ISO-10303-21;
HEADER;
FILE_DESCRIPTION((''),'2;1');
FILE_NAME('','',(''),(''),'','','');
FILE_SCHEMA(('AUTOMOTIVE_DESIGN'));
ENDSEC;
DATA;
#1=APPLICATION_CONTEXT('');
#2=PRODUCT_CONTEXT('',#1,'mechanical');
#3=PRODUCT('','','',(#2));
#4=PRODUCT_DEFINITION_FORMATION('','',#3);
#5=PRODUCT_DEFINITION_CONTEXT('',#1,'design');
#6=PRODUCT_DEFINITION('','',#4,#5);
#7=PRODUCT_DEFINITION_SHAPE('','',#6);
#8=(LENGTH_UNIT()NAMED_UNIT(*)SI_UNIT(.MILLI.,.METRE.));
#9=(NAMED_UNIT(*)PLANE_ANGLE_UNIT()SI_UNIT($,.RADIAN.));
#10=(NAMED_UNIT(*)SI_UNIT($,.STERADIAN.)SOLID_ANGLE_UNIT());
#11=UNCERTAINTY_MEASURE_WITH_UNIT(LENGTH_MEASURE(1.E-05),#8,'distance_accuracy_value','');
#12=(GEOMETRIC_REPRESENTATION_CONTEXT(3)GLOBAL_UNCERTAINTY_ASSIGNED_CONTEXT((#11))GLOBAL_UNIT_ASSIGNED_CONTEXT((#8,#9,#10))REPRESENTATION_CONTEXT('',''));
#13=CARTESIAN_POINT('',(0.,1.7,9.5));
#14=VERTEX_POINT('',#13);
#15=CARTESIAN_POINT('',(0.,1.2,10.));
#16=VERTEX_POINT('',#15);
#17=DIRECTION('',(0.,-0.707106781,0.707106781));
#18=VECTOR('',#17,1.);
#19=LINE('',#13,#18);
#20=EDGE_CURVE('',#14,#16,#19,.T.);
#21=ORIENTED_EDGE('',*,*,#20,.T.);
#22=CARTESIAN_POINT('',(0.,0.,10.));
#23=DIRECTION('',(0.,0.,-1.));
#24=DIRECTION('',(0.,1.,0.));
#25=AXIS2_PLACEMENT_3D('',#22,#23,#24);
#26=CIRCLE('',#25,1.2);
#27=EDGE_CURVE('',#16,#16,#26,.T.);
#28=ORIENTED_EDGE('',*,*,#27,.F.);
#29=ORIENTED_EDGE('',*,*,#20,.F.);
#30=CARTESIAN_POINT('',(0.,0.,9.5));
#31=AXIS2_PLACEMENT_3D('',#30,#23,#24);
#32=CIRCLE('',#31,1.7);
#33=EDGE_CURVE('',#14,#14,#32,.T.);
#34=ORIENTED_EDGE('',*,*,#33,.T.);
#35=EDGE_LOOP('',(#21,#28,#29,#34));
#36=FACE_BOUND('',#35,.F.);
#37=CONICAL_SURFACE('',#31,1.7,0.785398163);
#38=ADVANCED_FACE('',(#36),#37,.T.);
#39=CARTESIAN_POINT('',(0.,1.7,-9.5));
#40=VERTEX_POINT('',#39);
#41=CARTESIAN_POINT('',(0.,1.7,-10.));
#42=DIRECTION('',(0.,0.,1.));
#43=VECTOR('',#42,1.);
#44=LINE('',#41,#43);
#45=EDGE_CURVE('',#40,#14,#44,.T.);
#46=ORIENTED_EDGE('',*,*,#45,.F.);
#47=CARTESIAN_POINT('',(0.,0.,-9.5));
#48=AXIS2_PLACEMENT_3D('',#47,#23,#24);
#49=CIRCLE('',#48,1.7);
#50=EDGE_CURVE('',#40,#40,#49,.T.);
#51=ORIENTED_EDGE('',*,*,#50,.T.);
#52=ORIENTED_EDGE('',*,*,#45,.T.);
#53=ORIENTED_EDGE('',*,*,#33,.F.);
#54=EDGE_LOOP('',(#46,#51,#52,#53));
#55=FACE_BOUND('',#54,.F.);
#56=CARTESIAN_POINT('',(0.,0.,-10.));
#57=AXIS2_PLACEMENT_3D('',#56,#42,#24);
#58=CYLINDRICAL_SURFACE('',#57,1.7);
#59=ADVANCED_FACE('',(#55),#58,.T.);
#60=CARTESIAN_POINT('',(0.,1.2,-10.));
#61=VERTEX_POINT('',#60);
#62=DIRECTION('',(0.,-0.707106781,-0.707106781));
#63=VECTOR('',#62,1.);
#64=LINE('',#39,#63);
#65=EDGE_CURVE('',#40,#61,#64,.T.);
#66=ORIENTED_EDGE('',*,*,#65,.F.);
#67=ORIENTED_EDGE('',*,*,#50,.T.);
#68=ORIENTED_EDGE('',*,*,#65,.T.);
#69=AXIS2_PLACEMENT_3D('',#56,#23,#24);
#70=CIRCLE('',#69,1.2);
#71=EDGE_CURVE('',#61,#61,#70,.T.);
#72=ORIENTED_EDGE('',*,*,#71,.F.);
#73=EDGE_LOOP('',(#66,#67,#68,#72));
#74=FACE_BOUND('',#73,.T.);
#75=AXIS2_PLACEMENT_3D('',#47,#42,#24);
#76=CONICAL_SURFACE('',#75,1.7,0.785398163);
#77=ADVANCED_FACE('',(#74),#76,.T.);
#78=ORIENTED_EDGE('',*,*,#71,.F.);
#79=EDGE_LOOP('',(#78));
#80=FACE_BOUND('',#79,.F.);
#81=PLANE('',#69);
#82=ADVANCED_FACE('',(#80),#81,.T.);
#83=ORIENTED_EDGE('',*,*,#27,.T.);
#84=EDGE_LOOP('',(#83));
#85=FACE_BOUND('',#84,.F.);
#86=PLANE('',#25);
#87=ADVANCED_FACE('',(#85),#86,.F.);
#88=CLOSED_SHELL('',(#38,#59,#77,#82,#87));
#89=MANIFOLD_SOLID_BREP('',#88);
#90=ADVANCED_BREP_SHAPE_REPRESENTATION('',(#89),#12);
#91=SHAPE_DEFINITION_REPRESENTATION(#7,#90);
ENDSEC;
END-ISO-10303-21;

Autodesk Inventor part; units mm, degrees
ref_plane "YZ Plane" through (0, 0, 0) normal (1, 0, 0) x (0, 1, 0)
ref_plane "XZ Plane" through (0, 0, 0) normal (0, 1, 0) x (-1, 0, 0)
ref_plane "XY Plane" through (0, 0, 0) normal (0, 0, 1) x (1, 0, 0)
sketch "Sketch1" plane through (0, 0, 0) normal (1, 0, 0) x (0, 1, 0)
  line L0 (1.7, 10) -> (0, 10)
  line L1 (0, 10) -> (0, -10)
  line L2 (0, -10) -> (1.7, -10)
  line L3 (1.7, -10) -> (1.7, 10)
  point P0 (0, 0)
  point P1 (0, 0)
  dimension "d0" = 20
  dimension "d1" = 3.4
revolve "Revolution1" add sketch "Sketch1" angle 360 about axis through (0, 0, 10) along (0, 0, -1)
chamfer "Chamfer1" distance 0.5 angle 45 2 edges at (0, -1.7, 10) (0, -1.7, -10)
properties part number "Axle Small"
